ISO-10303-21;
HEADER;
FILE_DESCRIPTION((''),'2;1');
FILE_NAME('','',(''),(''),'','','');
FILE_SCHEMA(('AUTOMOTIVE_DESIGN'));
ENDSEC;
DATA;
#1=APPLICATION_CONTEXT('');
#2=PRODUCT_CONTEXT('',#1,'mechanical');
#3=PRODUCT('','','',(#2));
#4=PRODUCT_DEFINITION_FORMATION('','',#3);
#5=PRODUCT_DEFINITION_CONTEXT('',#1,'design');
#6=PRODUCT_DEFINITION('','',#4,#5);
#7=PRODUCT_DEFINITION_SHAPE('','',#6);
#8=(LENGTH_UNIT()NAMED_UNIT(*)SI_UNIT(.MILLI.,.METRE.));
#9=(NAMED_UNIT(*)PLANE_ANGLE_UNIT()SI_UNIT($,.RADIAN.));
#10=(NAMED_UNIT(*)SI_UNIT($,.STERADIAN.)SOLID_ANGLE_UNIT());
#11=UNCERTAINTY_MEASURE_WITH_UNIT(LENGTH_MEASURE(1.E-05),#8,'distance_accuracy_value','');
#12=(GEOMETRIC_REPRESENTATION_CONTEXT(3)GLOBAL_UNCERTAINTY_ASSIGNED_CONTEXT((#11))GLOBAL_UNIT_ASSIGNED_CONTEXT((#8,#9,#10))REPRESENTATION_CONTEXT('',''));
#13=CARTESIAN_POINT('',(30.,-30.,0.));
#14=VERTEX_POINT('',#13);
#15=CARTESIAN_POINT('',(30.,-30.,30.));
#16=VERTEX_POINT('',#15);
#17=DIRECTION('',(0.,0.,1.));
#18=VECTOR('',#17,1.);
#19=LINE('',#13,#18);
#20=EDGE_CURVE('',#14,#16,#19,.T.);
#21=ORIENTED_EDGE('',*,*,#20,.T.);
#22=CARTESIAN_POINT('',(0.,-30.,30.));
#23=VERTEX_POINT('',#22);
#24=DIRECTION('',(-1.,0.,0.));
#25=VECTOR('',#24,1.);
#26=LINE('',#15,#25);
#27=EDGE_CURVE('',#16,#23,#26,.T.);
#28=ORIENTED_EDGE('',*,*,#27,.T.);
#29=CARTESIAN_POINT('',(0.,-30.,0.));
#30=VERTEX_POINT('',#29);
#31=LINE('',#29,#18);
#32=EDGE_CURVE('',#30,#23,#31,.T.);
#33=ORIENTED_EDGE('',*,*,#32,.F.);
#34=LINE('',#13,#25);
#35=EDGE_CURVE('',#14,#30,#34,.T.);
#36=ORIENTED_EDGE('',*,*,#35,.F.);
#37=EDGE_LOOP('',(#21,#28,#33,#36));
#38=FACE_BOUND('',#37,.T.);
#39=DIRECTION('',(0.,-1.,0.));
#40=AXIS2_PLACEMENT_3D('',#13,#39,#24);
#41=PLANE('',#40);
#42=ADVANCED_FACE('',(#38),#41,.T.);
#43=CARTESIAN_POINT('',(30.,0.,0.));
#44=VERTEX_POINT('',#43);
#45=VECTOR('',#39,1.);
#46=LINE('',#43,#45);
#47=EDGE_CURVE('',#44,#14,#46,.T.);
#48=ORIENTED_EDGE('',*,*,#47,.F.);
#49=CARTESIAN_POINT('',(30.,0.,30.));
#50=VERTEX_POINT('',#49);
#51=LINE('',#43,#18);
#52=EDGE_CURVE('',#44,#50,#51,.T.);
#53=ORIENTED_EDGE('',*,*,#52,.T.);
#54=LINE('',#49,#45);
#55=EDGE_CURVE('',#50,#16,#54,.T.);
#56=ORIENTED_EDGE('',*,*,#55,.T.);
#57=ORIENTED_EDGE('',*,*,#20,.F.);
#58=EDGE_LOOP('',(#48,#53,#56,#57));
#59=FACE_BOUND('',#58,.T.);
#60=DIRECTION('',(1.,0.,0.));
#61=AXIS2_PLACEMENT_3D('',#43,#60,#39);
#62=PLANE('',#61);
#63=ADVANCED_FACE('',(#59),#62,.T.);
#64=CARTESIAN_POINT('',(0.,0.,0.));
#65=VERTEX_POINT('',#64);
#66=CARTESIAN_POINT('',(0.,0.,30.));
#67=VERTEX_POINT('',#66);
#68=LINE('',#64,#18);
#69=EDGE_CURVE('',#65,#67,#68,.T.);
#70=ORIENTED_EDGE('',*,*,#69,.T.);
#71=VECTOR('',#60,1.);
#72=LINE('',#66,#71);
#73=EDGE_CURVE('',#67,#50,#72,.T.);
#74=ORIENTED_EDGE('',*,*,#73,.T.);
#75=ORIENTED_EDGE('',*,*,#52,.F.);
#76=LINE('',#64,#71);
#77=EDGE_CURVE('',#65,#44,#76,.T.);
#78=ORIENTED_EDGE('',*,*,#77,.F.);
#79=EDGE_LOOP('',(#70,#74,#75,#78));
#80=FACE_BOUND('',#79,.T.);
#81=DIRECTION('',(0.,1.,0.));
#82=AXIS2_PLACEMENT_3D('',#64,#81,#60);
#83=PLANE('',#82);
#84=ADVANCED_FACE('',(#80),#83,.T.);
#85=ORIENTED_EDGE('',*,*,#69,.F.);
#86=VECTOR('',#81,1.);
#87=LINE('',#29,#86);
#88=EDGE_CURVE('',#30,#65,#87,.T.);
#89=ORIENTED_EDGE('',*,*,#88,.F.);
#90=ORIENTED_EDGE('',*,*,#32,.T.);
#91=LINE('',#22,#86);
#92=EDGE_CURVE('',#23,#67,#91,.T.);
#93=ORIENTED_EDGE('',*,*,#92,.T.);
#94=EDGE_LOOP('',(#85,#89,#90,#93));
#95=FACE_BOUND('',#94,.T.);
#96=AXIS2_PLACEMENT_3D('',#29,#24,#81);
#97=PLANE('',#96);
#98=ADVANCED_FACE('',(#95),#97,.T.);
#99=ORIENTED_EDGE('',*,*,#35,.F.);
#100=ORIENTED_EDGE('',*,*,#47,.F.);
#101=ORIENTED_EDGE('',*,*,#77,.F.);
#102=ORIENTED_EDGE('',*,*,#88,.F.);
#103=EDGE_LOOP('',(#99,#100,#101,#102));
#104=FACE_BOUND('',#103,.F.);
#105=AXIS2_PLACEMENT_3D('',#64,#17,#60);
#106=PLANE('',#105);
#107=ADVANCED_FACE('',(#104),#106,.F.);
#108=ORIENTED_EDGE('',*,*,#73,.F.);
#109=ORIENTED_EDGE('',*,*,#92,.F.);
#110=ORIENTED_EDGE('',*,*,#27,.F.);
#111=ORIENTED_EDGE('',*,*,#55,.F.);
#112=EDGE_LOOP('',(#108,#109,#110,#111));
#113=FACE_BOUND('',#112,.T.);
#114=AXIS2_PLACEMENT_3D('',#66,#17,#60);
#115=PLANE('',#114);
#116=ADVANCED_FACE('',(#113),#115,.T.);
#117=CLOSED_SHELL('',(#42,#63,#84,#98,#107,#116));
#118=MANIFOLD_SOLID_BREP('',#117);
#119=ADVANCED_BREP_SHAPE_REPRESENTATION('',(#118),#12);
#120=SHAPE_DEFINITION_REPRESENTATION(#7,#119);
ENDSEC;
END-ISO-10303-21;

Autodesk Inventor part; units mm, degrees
ref_plane "YZ Plane" through (0, 0, 0) normal (1, 0, 0) x (0, 1, 0)
ref_plane "XZ Plane" through (0, 0, 0) normal (0, 1, 0) x (-1, 0, 0)
ref_plane "XY Plane" through (0, 0, 0) normal (0, 0, 1) x (1, 0, 0)
sketch "Sketch1" plane through (0, 0, 0) normal (0, 0, 1) x (1, 0, 0)
  line L0 (0, 0) -> (30, 0)
  line L1 (30, 0) -> (30, -30)
  line L2 (30, -30) -> (0, -30)
  line L3 (0, -30) -> (0, 0)
  dimension "d0" = 30
  dimension "d1" = 30
extrude "Extrusion1" add sketch "Sketch1" along normal blind 30
properties part number "6101_Drive_Amplifier_Heat_Sink_MPSv2_v1" material "Aluminum 6061"
